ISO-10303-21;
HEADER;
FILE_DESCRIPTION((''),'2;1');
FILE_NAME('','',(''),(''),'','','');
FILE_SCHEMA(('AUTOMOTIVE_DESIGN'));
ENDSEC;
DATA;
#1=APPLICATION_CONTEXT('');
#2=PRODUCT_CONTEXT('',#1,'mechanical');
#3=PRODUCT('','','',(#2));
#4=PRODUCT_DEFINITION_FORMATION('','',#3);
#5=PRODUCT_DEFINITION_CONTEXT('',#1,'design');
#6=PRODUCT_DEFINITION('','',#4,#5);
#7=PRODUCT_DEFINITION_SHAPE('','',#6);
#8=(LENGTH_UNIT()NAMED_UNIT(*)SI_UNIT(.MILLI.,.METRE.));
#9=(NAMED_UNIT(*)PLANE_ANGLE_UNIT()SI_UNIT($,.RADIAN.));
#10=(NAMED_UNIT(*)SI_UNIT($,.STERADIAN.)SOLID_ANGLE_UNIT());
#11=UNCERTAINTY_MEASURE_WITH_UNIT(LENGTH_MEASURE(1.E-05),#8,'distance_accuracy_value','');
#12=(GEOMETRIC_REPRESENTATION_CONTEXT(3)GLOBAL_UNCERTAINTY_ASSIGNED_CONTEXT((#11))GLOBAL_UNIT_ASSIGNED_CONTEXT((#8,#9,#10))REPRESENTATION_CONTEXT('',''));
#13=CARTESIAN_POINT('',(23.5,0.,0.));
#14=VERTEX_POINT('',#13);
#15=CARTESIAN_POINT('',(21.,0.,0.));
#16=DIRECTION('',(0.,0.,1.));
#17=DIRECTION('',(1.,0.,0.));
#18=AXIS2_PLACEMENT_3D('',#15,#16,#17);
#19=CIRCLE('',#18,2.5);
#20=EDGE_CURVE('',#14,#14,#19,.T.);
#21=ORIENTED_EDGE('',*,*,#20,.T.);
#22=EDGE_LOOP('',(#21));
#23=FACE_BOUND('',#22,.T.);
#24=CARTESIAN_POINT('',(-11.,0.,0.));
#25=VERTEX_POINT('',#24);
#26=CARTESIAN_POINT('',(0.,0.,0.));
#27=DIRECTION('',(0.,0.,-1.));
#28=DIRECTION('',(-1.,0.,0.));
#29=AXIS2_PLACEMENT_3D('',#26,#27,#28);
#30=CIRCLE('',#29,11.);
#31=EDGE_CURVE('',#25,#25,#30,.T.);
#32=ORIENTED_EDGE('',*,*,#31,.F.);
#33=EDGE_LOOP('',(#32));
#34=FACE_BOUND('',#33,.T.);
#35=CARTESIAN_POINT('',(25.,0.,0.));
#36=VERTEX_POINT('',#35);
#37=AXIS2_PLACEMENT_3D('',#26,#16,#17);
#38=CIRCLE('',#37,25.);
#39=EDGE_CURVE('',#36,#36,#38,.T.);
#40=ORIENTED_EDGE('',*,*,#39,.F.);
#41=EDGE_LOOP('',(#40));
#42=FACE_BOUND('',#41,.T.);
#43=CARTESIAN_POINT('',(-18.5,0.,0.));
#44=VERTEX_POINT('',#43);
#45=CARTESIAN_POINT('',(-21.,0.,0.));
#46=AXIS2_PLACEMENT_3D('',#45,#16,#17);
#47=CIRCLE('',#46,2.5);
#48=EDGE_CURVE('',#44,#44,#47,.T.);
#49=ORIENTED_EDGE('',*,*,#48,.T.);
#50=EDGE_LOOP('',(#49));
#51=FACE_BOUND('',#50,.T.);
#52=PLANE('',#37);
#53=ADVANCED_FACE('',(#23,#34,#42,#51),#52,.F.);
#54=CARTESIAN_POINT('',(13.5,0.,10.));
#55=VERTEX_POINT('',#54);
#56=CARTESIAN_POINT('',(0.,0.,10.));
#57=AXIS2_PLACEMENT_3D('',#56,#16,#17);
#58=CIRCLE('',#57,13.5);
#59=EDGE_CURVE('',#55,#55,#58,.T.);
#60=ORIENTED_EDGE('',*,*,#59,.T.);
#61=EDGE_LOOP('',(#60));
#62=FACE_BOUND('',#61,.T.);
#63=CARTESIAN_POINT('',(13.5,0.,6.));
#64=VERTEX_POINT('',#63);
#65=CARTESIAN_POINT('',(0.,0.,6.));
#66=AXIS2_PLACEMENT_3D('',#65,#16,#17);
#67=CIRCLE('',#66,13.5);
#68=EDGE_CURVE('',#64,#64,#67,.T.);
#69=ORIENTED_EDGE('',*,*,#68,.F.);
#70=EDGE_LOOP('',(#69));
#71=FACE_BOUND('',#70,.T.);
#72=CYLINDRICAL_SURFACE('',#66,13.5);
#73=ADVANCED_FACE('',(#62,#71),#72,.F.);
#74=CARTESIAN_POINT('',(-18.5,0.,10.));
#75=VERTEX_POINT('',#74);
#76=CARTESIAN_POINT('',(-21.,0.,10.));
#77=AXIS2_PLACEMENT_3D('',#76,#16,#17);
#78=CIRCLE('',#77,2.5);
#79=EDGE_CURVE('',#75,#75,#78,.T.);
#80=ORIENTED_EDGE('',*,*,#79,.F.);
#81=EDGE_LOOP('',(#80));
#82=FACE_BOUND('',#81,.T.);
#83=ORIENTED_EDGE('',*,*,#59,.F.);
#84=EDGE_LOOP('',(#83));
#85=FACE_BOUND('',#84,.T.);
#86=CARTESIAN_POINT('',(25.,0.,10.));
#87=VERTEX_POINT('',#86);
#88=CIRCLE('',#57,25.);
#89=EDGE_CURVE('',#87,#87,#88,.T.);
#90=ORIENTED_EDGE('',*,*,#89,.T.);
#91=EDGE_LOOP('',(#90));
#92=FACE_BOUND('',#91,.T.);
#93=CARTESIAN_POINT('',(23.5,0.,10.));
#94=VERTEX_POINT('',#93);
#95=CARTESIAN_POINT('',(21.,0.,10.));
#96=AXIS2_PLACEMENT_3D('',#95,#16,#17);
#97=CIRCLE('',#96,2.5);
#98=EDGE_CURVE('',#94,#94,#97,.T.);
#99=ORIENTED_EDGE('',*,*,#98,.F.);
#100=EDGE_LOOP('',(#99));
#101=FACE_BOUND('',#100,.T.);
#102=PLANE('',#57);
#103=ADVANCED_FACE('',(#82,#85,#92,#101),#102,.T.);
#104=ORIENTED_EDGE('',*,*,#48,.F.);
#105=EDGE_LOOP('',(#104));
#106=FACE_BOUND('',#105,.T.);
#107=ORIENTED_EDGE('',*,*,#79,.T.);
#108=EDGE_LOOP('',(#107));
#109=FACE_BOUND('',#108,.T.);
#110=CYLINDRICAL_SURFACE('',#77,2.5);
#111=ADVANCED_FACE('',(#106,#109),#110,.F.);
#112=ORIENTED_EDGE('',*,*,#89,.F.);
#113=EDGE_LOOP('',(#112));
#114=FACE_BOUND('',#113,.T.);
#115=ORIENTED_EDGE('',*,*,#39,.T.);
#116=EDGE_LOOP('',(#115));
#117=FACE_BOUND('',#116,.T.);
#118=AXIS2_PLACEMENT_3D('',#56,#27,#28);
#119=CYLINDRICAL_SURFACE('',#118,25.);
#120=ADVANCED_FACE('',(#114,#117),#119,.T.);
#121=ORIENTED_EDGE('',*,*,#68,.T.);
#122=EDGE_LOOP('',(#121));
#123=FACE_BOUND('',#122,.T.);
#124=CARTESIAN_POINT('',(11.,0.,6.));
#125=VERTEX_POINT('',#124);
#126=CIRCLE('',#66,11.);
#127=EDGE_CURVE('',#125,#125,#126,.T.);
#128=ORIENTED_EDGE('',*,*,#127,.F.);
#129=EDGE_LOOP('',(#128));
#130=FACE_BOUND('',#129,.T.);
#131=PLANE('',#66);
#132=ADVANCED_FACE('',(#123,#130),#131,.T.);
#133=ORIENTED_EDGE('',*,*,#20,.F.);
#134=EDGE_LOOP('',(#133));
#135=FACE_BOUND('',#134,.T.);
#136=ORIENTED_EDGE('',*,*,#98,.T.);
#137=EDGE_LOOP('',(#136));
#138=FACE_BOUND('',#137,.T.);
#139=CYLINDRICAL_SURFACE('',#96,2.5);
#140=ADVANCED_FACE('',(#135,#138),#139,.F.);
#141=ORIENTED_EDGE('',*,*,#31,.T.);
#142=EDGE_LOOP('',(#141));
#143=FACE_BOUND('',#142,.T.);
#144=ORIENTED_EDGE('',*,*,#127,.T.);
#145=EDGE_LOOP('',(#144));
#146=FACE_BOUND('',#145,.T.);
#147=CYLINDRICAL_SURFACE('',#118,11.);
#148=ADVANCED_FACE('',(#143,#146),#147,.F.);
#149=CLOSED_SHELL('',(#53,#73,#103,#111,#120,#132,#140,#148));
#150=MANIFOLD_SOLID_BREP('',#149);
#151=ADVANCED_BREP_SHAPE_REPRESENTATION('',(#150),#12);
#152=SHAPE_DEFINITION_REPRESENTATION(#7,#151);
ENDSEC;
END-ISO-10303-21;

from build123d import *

# Parameters (mm, degrees)
SKETCH_1_R          = 25
EXTRUDE_1_DEPTH     = 10
SKETCH_2_R          = 13.5
CUT_EXTRUDE_1_DEPTH = 4
SKETCH_4_R          = 11
CUT_EXTRUDE_2_DEPTH = 37.742346142
M6X1_0_1_D          = 5


with BuildPart() as part:
    # ｽｹｯﾁ1 → ﾎﾞｽ - 押し出し1 (new body)
    with BuildSketch(Plane.XY):
        Circle(SKETCH_1_R)
    extrude(amount=EXTRUDE_1_DEPTH)

    # ｽｹｯﾁ2 → ｶｯﾄ - 押し出し1 (cut)
    with BuildSketch(Plane.XY.offset(10)):
        Circle(SKETCH_2_R)
    extrude(amount=-CUT_EXTRUDE_1_DEPTH, mode=Mode.SUBTRACT)

    # ｽｹｯﾁ4 → ｶｯﾄ - 押し出し2 (cut, through all)
    with BuildSketch(Plane(origin=(0, 0, 0), x_dir=(-1, 0, 0), z_dir=(0, 0, -1))):
        Circle(SKETCH_4_R)
    extrude(amount=-CUT_EXTRUDE_2_DEPTH, mode=Mode.SUBTRACT)

    # M6x1.0 ねじ穴1 (through all)
    with Locations(Plane(origin=(-21, 0, 10), x_dir=(1, 0, 0), z_dir=(0, 0, 1))):
        with Locations((0, 0), (42, 0)):
            Hole(M6X1_0_1_D / 2)


solid = part.part
